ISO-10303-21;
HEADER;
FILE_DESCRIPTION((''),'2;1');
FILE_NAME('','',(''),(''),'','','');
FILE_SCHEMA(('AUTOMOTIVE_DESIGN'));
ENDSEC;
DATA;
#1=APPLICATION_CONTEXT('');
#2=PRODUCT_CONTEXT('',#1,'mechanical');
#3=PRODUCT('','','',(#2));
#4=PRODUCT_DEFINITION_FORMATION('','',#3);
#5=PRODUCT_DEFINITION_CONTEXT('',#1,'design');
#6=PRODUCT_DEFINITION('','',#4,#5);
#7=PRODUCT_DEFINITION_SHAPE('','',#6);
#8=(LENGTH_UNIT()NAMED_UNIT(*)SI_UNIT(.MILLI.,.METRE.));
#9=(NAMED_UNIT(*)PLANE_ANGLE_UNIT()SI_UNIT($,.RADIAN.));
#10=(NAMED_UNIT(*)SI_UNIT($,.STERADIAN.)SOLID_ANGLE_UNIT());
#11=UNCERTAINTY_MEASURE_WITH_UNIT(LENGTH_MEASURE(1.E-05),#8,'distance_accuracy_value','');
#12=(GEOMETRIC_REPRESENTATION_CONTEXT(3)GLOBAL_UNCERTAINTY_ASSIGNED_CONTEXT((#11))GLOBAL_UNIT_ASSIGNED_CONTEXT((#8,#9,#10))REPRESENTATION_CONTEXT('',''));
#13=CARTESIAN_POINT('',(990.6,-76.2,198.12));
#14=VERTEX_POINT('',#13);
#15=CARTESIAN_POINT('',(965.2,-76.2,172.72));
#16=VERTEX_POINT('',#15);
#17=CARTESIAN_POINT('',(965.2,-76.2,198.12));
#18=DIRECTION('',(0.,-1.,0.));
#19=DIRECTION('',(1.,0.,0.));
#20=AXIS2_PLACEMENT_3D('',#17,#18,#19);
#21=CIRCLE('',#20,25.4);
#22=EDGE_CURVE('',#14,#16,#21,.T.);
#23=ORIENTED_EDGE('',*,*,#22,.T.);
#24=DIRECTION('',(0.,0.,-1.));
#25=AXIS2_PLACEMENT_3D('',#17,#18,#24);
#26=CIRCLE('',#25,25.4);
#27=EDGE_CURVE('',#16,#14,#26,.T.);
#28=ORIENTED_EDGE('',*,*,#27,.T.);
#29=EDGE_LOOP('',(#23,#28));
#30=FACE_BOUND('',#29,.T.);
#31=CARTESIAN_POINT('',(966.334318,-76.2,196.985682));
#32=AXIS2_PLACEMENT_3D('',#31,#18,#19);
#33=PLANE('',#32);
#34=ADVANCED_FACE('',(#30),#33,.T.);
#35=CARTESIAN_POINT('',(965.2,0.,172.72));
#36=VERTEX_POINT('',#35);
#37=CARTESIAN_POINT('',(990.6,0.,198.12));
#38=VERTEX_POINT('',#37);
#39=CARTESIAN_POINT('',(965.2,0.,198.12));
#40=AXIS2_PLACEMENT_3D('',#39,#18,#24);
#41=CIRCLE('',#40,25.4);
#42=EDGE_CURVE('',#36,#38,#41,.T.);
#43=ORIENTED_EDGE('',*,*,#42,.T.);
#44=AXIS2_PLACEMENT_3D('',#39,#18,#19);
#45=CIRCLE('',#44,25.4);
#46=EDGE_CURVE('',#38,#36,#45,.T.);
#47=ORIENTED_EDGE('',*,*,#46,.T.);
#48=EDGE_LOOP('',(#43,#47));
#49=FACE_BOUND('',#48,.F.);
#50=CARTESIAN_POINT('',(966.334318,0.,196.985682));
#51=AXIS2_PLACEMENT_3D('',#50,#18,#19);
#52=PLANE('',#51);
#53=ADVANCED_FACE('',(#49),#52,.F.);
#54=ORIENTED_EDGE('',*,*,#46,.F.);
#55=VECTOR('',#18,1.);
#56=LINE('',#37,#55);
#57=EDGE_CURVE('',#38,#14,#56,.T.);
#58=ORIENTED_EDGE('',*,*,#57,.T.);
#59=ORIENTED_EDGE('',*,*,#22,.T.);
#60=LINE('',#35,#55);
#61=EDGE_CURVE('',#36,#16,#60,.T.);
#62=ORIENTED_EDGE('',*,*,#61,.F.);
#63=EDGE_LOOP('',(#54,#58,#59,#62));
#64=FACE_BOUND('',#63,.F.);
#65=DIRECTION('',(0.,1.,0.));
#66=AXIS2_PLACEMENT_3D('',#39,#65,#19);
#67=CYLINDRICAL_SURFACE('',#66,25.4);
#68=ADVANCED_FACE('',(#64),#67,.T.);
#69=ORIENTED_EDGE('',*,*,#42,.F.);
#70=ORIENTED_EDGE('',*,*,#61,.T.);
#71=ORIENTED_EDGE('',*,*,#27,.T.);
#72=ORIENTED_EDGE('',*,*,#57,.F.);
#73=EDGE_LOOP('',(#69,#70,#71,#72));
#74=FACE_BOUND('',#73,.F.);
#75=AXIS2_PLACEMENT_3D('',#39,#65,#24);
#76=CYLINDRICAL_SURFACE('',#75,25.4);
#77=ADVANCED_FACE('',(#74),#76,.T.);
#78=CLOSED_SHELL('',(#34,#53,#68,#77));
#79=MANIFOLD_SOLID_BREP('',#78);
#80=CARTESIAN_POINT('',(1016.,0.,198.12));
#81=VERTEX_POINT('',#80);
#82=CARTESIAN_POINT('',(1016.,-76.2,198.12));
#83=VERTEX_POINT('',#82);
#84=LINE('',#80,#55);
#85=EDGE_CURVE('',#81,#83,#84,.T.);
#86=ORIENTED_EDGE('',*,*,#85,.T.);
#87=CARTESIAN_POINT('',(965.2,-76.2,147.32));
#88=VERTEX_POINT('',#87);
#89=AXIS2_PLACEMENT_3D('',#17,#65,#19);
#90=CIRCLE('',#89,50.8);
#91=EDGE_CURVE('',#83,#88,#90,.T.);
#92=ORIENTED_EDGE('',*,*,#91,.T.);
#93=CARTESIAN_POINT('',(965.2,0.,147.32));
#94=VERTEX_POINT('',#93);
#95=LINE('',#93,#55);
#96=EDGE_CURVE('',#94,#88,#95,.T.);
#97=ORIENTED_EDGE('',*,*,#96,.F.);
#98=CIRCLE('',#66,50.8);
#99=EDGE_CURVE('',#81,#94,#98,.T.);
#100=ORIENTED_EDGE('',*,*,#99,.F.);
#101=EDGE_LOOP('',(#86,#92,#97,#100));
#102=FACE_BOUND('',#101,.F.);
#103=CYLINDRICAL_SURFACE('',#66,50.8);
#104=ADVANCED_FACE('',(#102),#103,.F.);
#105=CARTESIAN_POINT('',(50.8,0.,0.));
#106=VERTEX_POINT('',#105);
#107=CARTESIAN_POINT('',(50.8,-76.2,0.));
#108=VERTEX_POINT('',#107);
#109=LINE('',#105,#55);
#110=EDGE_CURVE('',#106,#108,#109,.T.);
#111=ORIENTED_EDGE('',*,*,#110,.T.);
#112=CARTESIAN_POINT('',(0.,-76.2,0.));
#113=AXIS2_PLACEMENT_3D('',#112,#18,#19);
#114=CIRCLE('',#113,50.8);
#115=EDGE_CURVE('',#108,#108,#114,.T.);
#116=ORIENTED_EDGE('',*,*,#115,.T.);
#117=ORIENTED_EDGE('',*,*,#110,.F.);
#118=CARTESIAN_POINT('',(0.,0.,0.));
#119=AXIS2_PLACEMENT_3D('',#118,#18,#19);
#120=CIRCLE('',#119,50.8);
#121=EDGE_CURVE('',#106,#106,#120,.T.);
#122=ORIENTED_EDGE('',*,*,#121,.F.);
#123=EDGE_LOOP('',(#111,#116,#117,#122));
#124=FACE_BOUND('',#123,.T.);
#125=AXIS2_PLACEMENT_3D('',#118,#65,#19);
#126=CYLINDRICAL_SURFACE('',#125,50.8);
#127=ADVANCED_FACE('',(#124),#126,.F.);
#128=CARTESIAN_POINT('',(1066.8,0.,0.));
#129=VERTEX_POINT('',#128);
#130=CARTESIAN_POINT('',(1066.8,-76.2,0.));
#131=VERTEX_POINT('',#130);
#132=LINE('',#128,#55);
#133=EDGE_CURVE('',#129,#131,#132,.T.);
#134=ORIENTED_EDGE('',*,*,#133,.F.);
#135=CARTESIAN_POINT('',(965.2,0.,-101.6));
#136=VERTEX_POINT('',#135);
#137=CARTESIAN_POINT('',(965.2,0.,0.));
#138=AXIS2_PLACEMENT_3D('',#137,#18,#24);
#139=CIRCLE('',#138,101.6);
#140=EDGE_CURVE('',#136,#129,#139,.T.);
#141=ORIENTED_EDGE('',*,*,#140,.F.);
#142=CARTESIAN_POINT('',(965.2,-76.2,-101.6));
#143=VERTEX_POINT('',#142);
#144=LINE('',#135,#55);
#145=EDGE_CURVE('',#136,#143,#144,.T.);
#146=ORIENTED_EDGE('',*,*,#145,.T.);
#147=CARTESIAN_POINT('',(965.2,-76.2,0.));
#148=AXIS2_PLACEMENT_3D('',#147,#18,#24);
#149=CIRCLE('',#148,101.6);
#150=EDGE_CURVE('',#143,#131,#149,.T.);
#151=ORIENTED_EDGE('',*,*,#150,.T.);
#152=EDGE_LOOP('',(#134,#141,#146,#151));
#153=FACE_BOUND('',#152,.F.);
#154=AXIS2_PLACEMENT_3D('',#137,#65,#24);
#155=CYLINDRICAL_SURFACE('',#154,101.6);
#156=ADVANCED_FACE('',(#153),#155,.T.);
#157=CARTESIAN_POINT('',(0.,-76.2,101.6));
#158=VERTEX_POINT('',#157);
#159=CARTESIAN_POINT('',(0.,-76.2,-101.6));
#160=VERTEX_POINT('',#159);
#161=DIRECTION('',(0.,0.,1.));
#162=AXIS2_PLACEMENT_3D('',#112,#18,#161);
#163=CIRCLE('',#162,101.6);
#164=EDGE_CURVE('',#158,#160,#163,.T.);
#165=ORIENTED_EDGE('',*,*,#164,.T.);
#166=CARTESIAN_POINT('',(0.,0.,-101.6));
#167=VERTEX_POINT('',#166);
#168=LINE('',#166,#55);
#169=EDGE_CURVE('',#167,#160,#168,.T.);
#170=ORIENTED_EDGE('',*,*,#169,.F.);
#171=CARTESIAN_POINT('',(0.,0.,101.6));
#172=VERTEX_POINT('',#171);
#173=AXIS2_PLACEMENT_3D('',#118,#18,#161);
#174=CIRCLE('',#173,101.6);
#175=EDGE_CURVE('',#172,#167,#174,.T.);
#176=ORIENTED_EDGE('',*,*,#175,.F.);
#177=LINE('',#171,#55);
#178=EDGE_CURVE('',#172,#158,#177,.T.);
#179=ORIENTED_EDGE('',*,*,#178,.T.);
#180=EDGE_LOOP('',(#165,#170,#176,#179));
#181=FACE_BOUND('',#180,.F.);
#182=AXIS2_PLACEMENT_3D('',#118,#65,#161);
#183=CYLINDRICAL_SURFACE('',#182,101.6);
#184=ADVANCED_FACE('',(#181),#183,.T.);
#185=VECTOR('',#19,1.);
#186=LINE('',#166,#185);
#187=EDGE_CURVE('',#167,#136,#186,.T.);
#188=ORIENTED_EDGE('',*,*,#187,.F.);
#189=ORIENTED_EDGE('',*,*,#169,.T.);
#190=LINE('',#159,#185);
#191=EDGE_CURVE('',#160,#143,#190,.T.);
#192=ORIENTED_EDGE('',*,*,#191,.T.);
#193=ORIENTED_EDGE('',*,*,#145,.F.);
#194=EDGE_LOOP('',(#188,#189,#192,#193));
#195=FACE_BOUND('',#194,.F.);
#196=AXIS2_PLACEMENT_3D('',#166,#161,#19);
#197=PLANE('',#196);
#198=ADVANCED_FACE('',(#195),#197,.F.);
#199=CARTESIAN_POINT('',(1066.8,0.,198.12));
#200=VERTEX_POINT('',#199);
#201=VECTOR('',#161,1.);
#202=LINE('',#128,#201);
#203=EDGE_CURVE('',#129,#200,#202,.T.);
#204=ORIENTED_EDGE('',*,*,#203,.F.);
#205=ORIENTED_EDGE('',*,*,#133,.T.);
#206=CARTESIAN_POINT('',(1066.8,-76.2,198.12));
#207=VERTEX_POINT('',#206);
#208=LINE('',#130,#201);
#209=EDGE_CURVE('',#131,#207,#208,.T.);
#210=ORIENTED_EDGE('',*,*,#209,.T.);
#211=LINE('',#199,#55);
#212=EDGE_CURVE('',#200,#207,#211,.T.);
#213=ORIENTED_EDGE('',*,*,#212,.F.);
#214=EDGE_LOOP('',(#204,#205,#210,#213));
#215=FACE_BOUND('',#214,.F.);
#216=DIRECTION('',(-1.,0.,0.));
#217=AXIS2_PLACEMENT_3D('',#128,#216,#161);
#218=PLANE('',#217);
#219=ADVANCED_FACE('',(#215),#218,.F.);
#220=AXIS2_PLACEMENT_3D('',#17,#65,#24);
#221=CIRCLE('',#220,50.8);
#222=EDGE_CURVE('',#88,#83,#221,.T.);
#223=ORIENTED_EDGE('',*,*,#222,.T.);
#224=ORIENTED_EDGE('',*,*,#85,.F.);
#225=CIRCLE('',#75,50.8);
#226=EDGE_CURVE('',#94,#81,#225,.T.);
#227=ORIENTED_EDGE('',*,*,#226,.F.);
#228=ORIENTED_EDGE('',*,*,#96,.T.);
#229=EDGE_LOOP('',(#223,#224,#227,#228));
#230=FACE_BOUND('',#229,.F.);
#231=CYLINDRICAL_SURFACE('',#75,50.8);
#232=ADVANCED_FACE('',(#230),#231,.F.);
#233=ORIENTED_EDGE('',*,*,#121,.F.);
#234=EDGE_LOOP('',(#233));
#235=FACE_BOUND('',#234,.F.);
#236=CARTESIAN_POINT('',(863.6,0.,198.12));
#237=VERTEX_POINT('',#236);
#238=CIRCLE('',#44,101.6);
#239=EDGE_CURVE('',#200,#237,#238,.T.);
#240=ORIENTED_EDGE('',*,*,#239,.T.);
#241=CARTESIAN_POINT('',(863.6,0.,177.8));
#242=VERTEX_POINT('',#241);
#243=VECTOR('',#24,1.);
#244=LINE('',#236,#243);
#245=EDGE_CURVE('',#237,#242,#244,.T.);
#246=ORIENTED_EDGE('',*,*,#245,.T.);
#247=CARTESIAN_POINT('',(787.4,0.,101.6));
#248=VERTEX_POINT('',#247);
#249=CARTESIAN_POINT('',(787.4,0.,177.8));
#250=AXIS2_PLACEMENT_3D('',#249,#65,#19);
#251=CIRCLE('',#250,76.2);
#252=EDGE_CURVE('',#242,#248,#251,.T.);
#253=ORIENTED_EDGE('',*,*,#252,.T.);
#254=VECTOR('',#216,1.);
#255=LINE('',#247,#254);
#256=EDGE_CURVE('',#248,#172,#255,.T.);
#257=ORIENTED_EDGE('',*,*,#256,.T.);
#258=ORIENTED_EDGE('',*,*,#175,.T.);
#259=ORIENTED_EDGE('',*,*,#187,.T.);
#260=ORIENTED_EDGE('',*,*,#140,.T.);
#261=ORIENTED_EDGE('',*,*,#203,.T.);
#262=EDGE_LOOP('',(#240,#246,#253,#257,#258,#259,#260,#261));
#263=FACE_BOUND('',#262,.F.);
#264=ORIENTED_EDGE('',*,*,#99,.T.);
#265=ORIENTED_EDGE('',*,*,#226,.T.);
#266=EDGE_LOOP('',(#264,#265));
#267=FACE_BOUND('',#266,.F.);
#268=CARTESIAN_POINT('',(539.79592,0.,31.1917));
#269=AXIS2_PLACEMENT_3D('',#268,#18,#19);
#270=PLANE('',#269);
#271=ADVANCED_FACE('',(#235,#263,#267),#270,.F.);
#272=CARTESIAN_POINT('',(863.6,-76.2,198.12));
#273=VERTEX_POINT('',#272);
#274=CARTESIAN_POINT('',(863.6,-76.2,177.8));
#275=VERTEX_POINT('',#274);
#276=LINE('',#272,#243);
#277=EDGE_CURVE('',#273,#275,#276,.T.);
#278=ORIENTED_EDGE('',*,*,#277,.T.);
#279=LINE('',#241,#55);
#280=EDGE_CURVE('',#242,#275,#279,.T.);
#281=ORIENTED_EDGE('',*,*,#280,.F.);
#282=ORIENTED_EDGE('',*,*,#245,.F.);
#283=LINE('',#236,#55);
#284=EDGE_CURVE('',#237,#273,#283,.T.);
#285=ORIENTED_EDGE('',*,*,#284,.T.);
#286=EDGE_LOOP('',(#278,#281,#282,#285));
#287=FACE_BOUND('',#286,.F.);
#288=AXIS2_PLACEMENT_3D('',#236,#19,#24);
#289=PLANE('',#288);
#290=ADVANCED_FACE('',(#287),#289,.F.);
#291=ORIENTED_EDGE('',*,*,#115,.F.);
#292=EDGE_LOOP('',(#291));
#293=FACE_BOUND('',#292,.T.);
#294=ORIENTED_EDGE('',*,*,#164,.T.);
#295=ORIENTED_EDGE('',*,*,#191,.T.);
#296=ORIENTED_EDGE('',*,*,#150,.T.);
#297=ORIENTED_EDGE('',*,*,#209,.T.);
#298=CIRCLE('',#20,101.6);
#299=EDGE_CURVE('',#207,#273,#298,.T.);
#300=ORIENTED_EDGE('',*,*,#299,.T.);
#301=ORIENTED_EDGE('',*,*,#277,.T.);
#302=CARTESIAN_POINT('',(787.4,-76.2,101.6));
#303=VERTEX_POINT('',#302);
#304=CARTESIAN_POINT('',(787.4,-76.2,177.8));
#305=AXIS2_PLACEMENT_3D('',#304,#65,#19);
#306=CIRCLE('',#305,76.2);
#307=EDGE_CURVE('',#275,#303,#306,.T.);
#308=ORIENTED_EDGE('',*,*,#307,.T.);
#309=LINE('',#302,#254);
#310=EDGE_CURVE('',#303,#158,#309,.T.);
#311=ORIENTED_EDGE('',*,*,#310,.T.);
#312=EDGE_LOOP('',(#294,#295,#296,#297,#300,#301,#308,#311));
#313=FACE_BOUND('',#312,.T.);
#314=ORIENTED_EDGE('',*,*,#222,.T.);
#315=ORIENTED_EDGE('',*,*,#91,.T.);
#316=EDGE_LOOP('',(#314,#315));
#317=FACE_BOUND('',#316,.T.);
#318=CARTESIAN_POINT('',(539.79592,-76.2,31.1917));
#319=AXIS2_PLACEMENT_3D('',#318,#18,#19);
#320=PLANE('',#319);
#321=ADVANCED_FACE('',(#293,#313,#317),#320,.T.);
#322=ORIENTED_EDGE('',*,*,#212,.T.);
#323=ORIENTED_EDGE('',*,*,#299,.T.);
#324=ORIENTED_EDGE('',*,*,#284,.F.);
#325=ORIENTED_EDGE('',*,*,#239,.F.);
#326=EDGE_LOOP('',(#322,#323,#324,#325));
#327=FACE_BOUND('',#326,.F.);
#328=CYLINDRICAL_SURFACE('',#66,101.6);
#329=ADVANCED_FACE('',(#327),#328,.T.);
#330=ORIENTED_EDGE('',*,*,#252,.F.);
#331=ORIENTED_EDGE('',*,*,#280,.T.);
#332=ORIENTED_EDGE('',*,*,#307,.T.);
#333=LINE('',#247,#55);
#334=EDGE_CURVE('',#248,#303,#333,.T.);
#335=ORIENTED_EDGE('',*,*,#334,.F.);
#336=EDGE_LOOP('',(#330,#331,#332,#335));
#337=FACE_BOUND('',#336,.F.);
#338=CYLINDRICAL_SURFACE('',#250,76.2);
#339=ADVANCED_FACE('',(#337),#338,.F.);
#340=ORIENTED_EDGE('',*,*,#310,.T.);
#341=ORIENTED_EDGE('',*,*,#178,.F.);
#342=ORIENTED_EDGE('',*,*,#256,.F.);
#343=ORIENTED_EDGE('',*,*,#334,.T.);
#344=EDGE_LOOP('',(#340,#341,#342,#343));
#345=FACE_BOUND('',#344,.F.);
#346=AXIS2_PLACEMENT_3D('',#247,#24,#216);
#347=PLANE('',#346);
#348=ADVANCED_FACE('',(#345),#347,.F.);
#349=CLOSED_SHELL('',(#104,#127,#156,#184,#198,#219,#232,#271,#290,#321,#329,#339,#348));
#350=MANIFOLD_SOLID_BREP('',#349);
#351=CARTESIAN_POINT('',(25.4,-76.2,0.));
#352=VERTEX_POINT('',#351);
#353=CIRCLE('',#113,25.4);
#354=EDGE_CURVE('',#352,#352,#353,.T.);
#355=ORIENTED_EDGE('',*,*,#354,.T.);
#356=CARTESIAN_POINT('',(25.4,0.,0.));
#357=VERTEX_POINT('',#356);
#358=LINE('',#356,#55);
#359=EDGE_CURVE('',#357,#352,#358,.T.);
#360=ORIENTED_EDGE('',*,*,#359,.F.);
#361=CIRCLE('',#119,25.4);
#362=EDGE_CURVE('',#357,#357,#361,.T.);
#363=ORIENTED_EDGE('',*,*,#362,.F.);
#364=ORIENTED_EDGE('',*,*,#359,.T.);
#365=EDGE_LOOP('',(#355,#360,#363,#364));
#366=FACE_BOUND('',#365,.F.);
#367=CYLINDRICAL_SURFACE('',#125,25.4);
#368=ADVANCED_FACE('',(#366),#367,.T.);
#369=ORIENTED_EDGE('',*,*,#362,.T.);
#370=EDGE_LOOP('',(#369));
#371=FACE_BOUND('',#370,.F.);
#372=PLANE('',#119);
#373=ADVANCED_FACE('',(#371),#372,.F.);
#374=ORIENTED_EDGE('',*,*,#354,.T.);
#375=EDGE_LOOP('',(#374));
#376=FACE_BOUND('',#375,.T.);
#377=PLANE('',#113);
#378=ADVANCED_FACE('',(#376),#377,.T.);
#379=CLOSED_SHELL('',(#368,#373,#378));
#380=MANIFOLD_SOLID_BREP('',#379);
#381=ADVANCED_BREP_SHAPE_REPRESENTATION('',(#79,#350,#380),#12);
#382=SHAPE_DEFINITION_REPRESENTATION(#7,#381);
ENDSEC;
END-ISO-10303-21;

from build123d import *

# Parameters (mm, degrees)
F0_R     = 50.8
F1_DEPTH = 76.2
F0_R_2   = 25.4


with BuildPart() as f1:
    # F0 (on Front) → F1 (new body)
    with BuildSketch(Plane.XZ):
        with BuildLine():
            Line((787.4, 101.6), (0, 101.6))
            ThreePointArc((0, 101.6), (-101.6, 0), (0, -101.6))
            Line((0, -101.6), (965.2, -101.6))
            ThreePointArc((965.2, -101.6), (1037.0420489686, -71.8420489686), (1066.8, 0))
            Line((1066.8, 0), (1066.8, 198.12))
            ThreePointArc((1066.8, 198.12), (965.2, 299.72), (863.6, 198.12))
            Line((863.6, 198.12), (863.6, 177.8))
            ThreePointArc((863.6, 177.8), (841.2815367264, 123.9184632736), (787.4, 101.6))
        make_face()
        Circle(F0_R, mode=Mode.SUBTRACT)
        with BuildLine():
            ThreePointArc((965.2, 50.8), (1001.1210244843, 35.9210244843), (1016, 0))
            ThreePointArc((1016, 0), (929.2789755157, -35.9210244843), (965.2, 50.8))
        make_face(mode=Mode.SUBTRACT)
        with BuildLine():
            ThreePointArc((1016, 198.12), (1001.1210244843, 162.1989755157), (965.2, 147.32))
            ThreePointArc((965.2, 147.32), (929.2789755157, 234.0410244843), (1016, 198.12))
        make_face(mode=Mode.SUBTRACT)
        with BuildLine():
            ThreePointArc((965.2, 50.8), (929.2789755157, -35.9210244843), (1016, 0))
            ThreePointArc((1016, 0), (1001.1210244843, 35.9210244843), (965.2, 50.8))
        make_face()
        with BuildLine():
            ThreePointArc((990.6, 0), (947.2394877579, -17.9605122421), (965.2, 25.4))
            ThreePointArc((965.2, 25.4), (983.1605122421, 17.9605122421), (990.6, 0))
        make_face(mode=Mode.SUBTRACT)
        with BuildLine():
            ThreePointArc((990.6, 0), (983.1605122421, 17.9605122421), (965.2, 25.4))
            ThreePointArc((965.2, 25.4), (947.2394877579, -17.9605122421), (990.6, 0))
        make_face()
    extrude(amount=F1_DEPTH)


with BuildPart() as f1b:
    # F0 (on Front) → F1, piece 2 (new body)
    with BuildSketch(Plane.XZ):
        Circle(F0_R_2)
    extrude(amount=F1_DEPTH)


with BuildPart() as f1c:
    # F0 (on Front) → F1, piece 3 (new body)
    with BuildSketch(Plane.XZ):
        with BuildLine():
            ThreePointArc((990.6, 198.12), (947.2394877579, 216.0805122421), (965.2, 172.72))
            ThreePointArc((965.2, 172.72), (983.1605122421, 180.1594877579), (990.6, 198.12))
        make_face()
    extrude(amount=F1_DEPTH)


solid = Compound([f1.part, f1b.part, f1c.part])
